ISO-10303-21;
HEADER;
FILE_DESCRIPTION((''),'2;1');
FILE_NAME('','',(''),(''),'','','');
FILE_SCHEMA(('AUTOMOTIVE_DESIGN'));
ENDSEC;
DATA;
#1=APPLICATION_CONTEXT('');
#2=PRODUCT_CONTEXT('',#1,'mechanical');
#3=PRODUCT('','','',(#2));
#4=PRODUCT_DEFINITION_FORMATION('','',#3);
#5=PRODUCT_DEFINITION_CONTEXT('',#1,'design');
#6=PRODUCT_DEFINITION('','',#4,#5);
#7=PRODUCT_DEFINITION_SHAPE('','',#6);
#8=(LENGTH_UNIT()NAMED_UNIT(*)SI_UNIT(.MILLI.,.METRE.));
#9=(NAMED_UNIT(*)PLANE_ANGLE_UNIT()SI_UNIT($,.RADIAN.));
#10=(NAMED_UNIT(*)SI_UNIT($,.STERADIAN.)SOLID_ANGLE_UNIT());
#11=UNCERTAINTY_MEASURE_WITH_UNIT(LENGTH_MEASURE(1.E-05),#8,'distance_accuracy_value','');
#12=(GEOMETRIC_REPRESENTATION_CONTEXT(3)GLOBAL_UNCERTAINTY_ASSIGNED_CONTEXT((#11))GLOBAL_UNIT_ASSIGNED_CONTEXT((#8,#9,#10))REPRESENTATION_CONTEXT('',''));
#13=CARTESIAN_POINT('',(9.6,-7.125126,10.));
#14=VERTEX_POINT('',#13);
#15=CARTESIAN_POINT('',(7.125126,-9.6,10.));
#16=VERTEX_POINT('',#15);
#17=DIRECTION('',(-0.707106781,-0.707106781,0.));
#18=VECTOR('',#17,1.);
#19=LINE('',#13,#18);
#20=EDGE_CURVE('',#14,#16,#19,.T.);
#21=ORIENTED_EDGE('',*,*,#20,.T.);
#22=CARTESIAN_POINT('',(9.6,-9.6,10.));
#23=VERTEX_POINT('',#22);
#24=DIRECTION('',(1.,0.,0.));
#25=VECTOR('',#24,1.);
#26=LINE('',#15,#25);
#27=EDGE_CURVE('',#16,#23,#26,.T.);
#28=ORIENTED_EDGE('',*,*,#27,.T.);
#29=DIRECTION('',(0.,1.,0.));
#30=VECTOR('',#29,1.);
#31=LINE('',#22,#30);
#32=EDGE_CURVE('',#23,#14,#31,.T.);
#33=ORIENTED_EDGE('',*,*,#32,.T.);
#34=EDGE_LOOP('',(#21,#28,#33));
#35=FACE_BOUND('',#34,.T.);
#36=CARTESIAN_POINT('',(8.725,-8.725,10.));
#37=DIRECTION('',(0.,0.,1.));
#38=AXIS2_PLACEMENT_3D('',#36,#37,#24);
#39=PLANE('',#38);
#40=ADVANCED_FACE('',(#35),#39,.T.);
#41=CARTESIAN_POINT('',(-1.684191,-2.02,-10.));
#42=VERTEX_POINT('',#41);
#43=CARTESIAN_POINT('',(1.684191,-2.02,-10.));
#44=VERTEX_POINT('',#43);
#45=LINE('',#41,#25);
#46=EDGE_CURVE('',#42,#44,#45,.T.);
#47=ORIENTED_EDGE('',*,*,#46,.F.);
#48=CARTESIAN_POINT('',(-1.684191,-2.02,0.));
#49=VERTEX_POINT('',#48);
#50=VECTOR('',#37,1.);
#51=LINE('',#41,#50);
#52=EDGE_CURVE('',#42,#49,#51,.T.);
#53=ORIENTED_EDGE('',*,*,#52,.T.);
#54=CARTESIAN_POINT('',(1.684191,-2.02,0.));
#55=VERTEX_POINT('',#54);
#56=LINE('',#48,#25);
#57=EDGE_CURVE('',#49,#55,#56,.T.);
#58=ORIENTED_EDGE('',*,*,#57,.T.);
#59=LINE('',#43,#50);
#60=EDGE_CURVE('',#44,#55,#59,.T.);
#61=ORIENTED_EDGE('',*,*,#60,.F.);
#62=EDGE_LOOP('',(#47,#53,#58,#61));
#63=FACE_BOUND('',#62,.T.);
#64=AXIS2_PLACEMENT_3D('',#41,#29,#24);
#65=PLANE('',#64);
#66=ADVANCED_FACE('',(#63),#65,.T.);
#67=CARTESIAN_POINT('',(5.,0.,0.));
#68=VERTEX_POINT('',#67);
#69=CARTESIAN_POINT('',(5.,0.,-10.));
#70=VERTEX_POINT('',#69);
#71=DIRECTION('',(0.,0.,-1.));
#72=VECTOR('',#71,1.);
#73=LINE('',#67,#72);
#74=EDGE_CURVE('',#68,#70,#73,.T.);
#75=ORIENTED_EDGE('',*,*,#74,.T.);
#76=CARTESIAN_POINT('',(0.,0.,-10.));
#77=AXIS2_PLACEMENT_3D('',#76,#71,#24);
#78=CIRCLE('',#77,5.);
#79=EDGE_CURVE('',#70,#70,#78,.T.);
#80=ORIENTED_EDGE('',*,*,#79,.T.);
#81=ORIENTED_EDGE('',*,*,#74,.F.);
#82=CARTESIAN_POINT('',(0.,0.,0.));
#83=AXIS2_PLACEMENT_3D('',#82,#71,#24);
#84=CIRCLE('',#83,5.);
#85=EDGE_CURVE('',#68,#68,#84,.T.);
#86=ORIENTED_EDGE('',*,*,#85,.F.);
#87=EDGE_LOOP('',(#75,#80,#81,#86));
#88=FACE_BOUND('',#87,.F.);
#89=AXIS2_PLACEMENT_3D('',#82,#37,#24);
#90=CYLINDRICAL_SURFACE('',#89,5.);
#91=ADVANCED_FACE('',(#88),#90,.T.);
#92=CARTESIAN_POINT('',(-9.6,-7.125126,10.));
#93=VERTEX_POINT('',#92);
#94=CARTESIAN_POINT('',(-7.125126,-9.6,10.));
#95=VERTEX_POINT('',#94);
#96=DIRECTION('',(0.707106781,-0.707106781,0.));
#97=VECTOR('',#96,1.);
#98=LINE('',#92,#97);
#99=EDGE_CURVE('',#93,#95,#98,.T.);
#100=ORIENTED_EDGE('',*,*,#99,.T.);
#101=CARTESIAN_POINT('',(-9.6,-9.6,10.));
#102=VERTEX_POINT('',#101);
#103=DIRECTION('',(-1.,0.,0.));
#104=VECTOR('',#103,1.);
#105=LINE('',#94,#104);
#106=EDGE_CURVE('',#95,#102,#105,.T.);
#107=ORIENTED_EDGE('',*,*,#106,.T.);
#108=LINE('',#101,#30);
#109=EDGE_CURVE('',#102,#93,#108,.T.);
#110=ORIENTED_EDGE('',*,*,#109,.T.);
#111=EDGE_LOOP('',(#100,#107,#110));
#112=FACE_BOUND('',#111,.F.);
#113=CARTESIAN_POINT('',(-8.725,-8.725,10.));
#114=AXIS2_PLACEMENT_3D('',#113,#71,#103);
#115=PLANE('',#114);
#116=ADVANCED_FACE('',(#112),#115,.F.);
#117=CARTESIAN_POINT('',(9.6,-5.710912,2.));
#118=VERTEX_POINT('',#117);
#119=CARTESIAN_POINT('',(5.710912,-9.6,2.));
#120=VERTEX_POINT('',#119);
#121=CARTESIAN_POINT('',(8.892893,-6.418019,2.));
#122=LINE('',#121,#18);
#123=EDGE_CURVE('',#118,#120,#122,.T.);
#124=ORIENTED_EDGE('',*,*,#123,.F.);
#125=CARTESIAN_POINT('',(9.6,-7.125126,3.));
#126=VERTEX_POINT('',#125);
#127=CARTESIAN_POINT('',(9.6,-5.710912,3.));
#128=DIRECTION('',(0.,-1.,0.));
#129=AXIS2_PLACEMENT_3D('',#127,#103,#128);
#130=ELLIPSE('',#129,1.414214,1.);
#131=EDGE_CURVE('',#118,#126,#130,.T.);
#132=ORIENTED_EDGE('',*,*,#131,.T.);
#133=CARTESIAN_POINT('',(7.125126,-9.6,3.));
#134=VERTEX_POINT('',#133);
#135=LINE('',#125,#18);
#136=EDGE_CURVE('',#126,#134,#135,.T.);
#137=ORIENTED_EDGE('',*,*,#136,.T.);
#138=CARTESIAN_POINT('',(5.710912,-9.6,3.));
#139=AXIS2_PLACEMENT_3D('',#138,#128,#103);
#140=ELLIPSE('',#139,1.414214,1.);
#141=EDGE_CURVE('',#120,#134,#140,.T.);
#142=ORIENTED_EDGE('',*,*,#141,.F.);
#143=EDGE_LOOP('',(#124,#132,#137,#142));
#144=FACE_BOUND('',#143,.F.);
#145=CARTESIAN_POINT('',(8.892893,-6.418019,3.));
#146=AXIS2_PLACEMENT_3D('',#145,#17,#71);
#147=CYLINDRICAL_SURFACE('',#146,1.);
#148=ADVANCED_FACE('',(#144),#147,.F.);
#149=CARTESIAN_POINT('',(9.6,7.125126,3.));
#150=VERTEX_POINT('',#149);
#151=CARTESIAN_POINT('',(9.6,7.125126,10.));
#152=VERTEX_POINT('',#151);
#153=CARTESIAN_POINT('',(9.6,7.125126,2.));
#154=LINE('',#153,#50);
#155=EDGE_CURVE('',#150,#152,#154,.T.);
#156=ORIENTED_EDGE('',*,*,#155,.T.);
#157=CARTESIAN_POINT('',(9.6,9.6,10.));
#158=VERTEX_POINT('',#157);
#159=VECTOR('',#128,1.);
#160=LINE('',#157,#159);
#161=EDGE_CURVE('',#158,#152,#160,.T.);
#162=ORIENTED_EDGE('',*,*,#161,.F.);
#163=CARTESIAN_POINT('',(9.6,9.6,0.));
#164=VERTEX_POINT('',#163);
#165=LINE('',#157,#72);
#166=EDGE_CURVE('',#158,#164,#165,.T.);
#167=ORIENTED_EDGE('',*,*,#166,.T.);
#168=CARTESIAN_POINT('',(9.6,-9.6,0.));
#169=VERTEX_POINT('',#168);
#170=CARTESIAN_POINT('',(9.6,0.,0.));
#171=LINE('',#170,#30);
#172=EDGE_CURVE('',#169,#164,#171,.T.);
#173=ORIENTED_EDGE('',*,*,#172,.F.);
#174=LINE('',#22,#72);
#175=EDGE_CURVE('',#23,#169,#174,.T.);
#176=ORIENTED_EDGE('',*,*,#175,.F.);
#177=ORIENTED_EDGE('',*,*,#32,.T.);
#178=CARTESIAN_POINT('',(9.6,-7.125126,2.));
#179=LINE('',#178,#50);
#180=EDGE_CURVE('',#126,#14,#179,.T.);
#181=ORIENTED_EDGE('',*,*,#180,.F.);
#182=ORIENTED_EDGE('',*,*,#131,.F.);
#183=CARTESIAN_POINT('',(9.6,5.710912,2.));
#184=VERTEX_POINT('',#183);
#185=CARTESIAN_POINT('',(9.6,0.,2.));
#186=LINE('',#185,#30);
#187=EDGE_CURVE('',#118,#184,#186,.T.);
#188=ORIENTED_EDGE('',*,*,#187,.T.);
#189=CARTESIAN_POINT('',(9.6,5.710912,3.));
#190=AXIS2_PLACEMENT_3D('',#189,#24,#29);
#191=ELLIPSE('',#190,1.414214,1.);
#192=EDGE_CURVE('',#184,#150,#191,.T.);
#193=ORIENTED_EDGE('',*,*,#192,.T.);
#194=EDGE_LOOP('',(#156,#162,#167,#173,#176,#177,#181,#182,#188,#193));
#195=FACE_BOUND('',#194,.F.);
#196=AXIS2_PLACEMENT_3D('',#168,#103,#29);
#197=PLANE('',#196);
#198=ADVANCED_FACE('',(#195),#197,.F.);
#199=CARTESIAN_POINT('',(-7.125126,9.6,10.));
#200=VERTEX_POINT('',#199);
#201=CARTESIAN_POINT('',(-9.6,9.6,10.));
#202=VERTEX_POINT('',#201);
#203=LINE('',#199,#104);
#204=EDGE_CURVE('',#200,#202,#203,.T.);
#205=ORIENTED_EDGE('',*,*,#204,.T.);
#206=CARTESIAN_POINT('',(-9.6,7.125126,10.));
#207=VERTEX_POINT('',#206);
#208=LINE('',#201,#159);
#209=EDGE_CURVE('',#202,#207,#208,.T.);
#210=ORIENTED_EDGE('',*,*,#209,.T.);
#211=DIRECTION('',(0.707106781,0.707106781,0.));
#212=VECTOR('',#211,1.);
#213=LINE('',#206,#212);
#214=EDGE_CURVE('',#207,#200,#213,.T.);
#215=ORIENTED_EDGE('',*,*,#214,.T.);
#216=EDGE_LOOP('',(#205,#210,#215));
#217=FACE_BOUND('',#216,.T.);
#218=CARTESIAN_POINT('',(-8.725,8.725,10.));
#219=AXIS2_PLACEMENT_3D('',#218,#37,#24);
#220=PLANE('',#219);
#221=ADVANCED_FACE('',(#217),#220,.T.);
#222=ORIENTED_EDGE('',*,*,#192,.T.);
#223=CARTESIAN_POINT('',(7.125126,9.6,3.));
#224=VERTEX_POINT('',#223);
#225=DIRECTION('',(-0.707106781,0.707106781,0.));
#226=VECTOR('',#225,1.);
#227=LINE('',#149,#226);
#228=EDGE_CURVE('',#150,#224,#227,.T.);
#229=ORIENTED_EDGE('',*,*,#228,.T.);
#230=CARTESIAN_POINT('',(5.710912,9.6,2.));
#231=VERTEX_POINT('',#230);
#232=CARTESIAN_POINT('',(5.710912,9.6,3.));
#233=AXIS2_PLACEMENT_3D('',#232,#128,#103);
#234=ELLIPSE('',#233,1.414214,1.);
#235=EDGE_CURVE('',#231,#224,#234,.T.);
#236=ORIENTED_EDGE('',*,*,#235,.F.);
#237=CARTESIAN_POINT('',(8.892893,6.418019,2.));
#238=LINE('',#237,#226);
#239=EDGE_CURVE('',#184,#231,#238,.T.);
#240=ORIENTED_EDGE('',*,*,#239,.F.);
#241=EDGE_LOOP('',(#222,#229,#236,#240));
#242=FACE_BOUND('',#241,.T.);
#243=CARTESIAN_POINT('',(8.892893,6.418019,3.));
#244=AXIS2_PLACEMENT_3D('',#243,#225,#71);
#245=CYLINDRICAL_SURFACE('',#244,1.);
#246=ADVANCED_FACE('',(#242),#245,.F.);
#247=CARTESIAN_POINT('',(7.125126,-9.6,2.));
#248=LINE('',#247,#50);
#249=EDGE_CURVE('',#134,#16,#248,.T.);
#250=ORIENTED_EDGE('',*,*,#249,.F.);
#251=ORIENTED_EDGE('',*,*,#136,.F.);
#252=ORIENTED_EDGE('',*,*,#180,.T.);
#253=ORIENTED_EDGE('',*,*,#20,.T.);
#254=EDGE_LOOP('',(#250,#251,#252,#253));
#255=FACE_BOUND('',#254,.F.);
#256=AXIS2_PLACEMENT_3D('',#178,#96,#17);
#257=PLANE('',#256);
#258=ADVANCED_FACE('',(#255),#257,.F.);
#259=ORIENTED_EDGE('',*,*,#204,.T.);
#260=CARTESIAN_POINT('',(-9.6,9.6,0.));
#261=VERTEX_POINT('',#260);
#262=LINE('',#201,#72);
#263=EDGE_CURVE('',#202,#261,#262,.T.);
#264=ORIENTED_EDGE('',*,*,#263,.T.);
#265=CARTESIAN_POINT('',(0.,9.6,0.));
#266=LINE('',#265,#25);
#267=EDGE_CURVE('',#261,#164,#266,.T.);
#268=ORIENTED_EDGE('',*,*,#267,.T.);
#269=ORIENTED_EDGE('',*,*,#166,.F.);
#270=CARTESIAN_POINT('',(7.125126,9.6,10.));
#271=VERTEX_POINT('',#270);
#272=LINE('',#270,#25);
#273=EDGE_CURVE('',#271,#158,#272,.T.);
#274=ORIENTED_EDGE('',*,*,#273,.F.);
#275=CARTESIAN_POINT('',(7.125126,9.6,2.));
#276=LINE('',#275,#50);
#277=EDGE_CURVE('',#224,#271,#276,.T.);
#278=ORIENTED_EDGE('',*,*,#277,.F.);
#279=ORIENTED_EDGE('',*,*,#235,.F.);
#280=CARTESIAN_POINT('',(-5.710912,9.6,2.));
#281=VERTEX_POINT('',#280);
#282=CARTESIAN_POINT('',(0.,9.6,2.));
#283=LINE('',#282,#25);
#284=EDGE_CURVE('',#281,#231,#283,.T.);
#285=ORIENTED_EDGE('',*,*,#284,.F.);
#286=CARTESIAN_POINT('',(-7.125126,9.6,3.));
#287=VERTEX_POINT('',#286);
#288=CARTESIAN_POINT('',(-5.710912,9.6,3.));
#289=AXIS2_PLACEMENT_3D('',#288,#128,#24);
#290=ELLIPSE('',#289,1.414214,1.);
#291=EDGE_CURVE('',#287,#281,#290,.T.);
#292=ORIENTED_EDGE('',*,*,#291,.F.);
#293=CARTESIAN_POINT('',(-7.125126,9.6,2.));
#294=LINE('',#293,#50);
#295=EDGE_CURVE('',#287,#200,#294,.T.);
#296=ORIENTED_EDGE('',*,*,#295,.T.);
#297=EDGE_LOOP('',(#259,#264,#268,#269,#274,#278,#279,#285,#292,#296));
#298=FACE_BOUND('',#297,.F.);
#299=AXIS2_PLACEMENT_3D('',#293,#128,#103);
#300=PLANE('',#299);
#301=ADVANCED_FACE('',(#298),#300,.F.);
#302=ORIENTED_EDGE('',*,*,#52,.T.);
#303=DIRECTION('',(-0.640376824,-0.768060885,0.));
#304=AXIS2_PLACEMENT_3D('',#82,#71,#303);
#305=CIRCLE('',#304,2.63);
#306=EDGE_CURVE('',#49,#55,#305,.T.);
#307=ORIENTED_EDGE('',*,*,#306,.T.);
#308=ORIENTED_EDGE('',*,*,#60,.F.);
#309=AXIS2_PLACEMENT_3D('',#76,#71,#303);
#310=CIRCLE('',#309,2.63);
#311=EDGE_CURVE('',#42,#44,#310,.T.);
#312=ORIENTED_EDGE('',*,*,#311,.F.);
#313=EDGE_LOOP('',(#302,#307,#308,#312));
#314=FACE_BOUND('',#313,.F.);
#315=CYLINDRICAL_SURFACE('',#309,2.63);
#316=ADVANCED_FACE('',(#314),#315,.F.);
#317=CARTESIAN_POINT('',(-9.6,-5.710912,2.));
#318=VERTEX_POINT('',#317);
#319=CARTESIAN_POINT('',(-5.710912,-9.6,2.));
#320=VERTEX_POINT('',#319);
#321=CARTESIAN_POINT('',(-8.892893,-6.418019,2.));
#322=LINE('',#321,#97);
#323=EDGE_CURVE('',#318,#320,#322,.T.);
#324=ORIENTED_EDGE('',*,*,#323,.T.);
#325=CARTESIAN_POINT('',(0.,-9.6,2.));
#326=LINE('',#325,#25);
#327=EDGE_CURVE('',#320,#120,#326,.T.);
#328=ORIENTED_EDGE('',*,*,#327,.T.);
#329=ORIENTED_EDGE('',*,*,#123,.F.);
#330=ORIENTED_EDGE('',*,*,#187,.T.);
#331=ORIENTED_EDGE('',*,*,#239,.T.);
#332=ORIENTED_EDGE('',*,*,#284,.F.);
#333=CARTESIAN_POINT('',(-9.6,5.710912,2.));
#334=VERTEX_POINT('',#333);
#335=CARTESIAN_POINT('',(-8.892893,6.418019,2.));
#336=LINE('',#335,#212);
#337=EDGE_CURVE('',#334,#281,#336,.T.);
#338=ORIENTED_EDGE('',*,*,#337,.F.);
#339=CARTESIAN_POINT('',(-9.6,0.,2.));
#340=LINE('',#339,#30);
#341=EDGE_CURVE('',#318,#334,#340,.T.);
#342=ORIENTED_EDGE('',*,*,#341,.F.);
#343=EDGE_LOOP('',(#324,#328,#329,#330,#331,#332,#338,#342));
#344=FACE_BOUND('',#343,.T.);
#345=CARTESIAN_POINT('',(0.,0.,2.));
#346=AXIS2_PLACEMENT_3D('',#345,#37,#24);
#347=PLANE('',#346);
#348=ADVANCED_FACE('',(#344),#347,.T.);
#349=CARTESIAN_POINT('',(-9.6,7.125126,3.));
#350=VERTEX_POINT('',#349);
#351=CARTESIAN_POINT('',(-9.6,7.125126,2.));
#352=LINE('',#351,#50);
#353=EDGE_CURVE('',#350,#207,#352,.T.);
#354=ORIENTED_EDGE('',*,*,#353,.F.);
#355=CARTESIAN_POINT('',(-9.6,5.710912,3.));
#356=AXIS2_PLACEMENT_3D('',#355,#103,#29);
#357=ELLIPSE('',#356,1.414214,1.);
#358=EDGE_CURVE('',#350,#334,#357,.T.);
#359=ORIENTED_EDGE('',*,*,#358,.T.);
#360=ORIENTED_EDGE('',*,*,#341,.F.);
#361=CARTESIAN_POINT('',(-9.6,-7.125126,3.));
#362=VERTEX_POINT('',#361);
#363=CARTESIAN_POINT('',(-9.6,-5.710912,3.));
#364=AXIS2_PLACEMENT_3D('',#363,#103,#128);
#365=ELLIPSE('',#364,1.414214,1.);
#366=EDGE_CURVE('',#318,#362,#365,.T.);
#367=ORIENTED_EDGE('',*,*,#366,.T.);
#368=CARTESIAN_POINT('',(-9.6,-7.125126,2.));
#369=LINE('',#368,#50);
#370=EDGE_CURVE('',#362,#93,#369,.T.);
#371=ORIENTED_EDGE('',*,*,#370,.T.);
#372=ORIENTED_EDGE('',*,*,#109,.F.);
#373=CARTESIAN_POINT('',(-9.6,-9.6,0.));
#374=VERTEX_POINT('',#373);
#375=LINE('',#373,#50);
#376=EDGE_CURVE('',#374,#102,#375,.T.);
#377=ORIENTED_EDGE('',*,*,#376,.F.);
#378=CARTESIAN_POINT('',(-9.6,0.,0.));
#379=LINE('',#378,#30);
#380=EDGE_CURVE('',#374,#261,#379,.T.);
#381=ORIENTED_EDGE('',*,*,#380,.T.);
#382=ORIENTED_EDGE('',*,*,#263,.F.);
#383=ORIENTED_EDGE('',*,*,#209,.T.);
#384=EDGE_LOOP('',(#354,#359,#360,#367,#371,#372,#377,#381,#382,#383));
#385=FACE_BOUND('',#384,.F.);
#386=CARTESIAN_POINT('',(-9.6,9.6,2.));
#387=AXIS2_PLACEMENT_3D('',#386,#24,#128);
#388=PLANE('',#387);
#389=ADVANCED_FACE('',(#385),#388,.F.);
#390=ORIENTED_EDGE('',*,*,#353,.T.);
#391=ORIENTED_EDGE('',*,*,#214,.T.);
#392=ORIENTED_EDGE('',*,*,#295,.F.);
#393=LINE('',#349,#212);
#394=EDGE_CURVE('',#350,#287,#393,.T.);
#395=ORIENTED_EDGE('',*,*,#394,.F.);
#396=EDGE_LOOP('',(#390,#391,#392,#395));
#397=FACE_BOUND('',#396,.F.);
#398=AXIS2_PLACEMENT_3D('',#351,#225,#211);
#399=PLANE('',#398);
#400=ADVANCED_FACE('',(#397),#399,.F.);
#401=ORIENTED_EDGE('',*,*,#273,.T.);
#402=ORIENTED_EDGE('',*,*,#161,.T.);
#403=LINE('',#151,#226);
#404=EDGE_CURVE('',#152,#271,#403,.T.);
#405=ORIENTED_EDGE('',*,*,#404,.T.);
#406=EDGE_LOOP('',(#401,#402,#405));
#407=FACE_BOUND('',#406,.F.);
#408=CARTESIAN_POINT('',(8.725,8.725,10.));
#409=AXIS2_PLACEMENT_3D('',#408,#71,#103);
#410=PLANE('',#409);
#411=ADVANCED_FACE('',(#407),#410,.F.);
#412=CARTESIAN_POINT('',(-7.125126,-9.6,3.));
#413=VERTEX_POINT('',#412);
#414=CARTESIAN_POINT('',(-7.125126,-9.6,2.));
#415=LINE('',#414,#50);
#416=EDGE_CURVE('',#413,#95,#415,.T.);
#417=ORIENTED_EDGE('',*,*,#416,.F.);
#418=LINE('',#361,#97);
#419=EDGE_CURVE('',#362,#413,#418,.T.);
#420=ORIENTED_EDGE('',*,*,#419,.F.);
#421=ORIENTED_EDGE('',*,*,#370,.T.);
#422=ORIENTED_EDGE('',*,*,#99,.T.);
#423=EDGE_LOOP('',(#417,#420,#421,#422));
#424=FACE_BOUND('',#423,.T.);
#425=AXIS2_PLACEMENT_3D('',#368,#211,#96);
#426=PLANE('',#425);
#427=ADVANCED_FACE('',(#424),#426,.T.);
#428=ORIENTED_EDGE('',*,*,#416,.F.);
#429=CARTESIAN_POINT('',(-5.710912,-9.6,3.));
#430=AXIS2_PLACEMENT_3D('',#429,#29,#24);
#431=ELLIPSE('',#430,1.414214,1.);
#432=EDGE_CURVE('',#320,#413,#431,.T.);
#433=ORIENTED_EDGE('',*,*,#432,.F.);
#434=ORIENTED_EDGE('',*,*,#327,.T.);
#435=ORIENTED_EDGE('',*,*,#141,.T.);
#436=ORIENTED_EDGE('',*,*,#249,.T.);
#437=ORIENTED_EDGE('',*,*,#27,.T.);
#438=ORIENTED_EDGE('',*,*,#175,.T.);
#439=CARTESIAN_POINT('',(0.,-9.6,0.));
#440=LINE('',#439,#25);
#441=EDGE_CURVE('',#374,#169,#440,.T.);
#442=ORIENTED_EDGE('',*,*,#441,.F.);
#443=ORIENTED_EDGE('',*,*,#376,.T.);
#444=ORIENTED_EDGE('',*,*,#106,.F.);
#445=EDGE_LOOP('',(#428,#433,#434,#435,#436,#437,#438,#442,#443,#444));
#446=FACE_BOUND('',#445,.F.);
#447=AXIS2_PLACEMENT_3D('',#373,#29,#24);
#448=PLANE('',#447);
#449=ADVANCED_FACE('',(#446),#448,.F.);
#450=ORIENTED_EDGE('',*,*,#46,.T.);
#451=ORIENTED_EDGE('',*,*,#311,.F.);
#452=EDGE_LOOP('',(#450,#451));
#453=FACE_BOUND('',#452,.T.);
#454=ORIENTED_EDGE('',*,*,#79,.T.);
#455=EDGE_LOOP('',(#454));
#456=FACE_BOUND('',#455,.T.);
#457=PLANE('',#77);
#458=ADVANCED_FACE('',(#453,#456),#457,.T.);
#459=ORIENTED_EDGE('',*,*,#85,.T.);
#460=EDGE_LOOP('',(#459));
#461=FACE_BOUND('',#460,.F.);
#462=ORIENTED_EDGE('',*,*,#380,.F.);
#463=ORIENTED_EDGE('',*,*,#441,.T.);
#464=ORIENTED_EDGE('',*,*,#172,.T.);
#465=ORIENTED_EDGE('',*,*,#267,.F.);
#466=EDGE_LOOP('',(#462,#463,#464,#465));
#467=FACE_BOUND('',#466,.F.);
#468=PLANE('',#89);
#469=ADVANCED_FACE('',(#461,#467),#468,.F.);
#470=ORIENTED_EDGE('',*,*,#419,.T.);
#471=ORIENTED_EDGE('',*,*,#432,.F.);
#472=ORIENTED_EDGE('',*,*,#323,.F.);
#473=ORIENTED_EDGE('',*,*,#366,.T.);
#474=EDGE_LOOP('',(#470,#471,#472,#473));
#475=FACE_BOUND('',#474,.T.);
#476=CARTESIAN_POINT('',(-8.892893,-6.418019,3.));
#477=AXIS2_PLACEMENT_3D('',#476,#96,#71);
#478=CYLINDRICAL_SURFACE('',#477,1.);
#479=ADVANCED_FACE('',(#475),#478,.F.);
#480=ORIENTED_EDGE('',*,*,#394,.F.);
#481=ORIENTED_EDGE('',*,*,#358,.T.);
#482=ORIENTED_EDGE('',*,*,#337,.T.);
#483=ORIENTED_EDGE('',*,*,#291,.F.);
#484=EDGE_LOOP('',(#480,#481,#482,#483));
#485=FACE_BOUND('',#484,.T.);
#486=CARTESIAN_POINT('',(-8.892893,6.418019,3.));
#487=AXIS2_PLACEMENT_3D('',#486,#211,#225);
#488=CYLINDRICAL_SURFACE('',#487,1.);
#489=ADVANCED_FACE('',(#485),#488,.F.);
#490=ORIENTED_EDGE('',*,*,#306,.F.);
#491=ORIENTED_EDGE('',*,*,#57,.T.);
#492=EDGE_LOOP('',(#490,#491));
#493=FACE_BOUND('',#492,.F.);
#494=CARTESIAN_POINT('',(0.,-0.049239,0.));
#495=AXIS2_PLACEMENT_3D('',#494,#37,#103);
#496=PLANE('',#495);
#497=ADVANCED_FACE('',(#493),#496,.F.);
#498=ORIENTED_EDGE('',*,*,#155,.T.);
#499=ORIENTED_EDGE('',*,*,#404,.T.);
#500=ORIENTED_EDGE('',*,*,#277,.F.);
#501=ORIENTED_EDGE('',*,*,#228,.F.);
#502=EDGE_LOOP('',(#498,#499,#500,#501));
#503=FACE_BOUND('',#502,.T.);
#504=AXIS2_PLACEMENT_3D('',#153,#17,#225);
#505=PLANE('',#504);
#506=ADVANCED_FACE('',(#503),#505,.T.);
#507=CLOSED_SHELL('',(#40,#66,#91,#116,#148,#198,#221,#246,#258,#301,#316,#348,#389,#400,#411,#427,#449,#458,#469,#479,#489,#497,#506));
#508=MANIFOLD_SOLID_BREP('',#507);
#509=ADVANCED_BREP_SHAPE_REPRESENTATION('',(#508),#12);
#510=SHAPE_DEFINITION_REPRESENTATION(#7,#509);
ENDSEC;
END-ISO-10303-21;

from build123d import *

# Parameters (mm, degrees)
SKETCH_W     = 19.2
SKETCH_H     = 19.2
PAD_DEPTH    = 2
PAD001_DEPTH = 8
FILLET_R     = 1
SKETCH012_R  = 5
PAD002_DEPTH = 10
POCKET_DEPTH = 10


with BuildPart() as part:
    # Sketch → Pad (new body)
    with BuildSketch(Plane.XY):
        Rectangle(SKETCH_W, SKETCH_H)
    extrude(amount=PAD_DEPTH)

    # Sketch011 → Pad001 (new body)
    with BuildSketch(Plane.XY.offset(2)):
        Polygon((-9.6, 7.125126), (-7.125126, 9.6), (-9.6, 9.6), align=None)
        Polygon((7.125126, 9.6), (9.6, 9.6), (9.6, 7.125126), align=None)
        Polygon((7.125126, -9.6), (9.6, -9.6), (9.6, -7.125126), align=None)
        Polygon((-7.125126, -9.6), (-9.6, -9.6), (-9.6, -7.125126), align=None)
    extrude(amount=PAD001_DEPTH)

    # Fillet
    fillet_edges = [part.edges().sort_by_distance(p)[0] for p in [
        (-8.362563, 8.362563, 2),
        (8.362563, 8.362563, 2),
        (8.362563, -8.362563, 2),
        (-8.362563, -8.362563, 2),
    ]]
    fillet(fillet_edges, radius=FILLET_R)

    # Sketch012 → Pad002 (new body)
    with BuildSketch(Plane(origin=(0, 0, 0), x_dir=(1, 0, 0), z_dir=(0, 0, -1))):
        Circle(SKETCH012_R)
    extrude(amount=PAD002_DEPTH)

    # Sketch008 → Pocket (cut)
    with BuildSketch(Plane(origin=(0, 0, -10), x_dir=(1, 0, 0), z_dir=(0, 0, -1))):
        with BuildLine():
            Line((-1.684191, 2.02), (1.684191, 2.02))
            ThreePointArc((-1.684191, 2.02), (0, -2.63), (1.684191, 2.02))
        make_face()
    extrude(amount=-POCKET_DEPTH, mode=Mode.SUBTRACT)


solid = part.part
